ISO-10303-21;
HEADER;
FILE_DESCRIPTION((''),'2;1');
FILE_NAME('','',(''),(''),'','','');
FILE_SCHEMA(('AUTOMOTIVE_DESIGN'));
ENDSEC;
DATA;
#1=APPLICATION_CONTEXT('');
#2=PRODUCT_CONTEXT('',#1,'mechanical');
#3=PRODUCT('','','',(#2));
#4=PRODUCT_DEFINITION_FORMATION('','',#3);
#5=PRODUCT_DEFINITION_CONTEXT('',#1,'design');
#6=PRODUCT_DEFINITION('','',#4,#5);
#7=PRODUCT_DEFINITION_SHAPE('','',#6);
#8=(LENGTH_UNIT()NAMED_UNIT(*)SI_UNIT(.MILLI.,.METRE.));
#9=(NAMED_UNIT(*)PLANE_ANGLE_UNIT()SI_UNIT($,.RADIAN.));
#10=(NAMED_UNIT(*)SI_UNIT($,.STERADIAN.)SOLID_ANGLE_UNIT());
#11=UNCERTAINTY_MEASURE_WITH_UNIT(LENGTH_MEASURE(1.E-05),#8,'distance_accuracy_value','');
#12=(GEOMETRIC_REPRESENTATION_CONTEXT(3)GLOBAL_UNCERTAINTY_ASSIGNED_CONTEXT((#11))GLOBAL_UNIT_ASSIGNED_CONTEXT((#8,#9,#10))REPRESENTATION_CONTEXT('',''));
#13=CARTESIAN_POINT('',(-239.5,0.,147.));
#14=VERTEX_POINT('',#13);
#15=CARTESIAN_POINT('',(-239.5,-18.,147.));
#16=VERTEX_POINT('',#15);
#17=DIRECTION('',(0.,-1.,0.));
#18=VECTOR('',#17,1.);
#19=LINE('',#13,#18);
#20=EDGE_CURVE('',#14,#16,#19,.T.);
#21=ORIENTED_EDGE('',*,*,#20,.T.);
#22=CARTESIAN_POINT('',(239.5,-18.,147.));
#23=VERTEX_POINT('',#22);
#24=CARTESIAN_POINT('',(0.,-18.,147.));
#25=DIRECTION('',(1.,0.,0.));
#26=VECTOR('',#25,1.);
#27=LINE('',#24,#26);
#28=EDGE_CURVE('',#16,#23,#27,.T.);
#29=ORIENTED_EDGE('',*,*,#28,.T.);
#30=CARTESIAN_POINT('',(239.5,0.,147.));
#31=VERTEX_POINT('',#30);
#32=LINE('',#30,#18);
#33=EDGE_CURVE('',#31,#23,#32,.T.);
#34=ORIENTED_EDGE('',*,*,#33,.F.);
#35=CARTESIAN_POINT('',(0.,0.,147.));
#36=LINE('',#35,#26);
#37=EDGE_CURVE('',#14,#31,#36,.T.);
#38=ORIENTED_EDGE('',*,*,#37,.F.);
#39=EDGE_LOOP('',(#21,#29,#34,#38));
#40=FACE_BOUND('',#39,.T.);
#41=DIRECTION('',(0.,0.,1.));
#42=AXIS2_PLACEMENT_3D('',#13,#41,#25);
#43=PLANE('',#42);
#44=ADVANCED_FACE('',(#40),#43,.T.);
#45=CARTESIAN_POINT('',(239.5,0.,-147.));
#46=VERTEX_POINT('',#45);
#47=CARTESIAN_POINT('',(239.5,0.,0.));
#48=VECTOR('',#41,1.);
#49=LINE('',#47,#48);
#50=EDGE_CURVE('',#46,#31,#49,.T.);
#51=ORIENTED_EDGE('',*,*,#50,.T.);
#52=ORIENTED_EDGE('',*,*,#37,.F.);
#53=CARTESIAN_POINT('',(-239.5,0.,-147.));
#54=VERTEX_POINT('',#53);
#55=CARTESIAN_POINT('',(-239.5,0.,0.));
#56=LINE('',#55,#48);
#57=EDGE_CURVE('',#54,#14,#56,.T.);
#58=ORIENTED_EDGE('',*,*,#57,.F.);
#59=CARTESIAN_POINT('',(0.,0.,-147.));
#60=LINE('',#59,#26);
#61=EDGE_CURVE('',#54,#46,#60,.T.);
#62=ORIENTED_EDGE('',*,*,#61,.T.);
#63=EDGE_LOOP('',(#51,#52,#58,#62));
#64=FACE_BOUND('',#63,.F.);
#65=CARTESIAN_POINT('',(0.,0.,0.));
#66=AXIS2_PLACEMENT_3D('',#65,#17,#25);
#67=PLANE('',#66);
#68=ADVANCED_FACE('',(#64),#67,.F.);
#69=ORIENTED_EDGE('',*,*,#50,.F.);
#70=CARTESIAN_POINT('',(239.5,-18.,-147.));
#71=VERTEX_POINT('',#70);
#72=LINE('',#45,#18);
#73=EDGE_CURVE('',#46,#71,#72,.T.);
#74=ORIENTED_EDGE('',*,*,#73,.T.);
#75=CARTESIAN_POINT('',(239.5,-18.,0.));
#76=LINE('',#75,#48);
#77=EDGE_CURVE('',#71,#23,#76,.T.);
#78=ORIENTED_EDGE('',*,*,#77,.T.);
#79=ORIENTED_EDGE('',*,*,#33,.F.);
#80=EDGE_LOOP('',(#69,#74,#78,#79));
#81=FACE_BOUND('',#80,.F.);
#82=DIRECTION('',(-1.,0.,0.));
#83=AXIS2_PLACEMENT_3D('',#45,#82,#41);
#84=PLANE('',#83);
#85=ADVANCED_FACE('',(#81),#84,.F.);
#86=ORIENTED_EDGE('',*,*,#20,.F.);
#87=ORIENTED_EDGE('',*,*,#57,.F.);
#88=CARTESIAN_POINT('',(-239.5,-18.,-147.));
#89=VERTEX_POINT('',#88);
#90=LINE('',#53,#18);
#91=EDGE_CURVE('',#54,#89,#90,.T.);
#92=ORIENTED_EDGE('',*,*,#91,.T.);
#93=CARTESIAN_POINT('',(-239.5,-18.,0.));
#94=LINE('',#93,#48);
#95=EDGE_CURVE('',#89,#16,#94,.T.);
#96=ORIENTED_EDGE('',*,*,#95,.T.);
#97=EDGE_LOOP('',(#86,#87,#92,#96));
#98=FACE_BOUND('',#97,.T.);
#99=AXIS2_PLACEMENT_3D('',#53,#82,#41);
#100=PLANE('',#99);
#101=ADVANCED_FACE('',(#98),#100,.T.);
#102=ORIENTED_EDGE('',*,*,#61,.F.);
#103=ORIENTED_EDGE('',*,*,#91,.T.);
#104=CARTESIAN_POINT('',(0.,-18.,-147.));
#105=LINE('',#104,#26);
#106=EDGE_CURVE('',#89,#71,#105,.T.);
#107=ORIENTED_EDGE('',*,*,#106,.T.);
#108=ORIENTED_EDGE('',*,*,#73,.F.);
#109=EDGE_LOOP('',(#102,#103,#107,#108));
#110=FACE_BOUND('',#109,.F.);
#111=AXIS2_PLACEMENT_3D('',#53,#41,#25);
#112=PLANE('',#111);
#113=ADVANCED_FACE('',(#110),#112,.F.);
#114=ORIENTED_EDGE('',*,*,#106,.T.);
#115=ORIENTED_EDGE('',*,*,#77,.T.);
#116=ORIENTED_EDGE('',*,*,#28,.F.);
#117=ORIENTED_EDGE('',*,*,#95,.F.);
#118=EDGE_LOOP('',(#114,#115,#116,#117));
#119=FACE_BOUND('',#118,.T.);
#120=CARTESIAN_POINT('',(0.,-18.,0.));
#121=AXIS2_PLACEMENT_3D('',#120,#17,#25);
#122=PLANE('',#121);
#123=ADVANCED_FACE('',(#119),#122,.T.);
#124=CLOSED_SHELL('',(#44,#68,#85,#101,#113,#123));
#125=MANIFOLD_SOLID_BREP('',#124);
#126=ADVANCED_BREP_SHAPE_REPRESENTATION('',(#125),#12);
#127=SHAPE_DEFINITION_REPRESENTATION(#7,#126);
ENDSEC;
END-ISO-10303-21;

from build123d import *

# Parameters (mm, degrees)
SKETCH_W  = 479
SKETCH_H  = 294
PAD_DEPTH = 18


with BuildPart() as part:
    # Sketch → Pad (new body)
    with BuildSketch(Plane.XZ):
        Rectangle(SKETCH_W, SKETCH_H)
    extrude(amount=PAD_DEPTH)


solid = part.part
